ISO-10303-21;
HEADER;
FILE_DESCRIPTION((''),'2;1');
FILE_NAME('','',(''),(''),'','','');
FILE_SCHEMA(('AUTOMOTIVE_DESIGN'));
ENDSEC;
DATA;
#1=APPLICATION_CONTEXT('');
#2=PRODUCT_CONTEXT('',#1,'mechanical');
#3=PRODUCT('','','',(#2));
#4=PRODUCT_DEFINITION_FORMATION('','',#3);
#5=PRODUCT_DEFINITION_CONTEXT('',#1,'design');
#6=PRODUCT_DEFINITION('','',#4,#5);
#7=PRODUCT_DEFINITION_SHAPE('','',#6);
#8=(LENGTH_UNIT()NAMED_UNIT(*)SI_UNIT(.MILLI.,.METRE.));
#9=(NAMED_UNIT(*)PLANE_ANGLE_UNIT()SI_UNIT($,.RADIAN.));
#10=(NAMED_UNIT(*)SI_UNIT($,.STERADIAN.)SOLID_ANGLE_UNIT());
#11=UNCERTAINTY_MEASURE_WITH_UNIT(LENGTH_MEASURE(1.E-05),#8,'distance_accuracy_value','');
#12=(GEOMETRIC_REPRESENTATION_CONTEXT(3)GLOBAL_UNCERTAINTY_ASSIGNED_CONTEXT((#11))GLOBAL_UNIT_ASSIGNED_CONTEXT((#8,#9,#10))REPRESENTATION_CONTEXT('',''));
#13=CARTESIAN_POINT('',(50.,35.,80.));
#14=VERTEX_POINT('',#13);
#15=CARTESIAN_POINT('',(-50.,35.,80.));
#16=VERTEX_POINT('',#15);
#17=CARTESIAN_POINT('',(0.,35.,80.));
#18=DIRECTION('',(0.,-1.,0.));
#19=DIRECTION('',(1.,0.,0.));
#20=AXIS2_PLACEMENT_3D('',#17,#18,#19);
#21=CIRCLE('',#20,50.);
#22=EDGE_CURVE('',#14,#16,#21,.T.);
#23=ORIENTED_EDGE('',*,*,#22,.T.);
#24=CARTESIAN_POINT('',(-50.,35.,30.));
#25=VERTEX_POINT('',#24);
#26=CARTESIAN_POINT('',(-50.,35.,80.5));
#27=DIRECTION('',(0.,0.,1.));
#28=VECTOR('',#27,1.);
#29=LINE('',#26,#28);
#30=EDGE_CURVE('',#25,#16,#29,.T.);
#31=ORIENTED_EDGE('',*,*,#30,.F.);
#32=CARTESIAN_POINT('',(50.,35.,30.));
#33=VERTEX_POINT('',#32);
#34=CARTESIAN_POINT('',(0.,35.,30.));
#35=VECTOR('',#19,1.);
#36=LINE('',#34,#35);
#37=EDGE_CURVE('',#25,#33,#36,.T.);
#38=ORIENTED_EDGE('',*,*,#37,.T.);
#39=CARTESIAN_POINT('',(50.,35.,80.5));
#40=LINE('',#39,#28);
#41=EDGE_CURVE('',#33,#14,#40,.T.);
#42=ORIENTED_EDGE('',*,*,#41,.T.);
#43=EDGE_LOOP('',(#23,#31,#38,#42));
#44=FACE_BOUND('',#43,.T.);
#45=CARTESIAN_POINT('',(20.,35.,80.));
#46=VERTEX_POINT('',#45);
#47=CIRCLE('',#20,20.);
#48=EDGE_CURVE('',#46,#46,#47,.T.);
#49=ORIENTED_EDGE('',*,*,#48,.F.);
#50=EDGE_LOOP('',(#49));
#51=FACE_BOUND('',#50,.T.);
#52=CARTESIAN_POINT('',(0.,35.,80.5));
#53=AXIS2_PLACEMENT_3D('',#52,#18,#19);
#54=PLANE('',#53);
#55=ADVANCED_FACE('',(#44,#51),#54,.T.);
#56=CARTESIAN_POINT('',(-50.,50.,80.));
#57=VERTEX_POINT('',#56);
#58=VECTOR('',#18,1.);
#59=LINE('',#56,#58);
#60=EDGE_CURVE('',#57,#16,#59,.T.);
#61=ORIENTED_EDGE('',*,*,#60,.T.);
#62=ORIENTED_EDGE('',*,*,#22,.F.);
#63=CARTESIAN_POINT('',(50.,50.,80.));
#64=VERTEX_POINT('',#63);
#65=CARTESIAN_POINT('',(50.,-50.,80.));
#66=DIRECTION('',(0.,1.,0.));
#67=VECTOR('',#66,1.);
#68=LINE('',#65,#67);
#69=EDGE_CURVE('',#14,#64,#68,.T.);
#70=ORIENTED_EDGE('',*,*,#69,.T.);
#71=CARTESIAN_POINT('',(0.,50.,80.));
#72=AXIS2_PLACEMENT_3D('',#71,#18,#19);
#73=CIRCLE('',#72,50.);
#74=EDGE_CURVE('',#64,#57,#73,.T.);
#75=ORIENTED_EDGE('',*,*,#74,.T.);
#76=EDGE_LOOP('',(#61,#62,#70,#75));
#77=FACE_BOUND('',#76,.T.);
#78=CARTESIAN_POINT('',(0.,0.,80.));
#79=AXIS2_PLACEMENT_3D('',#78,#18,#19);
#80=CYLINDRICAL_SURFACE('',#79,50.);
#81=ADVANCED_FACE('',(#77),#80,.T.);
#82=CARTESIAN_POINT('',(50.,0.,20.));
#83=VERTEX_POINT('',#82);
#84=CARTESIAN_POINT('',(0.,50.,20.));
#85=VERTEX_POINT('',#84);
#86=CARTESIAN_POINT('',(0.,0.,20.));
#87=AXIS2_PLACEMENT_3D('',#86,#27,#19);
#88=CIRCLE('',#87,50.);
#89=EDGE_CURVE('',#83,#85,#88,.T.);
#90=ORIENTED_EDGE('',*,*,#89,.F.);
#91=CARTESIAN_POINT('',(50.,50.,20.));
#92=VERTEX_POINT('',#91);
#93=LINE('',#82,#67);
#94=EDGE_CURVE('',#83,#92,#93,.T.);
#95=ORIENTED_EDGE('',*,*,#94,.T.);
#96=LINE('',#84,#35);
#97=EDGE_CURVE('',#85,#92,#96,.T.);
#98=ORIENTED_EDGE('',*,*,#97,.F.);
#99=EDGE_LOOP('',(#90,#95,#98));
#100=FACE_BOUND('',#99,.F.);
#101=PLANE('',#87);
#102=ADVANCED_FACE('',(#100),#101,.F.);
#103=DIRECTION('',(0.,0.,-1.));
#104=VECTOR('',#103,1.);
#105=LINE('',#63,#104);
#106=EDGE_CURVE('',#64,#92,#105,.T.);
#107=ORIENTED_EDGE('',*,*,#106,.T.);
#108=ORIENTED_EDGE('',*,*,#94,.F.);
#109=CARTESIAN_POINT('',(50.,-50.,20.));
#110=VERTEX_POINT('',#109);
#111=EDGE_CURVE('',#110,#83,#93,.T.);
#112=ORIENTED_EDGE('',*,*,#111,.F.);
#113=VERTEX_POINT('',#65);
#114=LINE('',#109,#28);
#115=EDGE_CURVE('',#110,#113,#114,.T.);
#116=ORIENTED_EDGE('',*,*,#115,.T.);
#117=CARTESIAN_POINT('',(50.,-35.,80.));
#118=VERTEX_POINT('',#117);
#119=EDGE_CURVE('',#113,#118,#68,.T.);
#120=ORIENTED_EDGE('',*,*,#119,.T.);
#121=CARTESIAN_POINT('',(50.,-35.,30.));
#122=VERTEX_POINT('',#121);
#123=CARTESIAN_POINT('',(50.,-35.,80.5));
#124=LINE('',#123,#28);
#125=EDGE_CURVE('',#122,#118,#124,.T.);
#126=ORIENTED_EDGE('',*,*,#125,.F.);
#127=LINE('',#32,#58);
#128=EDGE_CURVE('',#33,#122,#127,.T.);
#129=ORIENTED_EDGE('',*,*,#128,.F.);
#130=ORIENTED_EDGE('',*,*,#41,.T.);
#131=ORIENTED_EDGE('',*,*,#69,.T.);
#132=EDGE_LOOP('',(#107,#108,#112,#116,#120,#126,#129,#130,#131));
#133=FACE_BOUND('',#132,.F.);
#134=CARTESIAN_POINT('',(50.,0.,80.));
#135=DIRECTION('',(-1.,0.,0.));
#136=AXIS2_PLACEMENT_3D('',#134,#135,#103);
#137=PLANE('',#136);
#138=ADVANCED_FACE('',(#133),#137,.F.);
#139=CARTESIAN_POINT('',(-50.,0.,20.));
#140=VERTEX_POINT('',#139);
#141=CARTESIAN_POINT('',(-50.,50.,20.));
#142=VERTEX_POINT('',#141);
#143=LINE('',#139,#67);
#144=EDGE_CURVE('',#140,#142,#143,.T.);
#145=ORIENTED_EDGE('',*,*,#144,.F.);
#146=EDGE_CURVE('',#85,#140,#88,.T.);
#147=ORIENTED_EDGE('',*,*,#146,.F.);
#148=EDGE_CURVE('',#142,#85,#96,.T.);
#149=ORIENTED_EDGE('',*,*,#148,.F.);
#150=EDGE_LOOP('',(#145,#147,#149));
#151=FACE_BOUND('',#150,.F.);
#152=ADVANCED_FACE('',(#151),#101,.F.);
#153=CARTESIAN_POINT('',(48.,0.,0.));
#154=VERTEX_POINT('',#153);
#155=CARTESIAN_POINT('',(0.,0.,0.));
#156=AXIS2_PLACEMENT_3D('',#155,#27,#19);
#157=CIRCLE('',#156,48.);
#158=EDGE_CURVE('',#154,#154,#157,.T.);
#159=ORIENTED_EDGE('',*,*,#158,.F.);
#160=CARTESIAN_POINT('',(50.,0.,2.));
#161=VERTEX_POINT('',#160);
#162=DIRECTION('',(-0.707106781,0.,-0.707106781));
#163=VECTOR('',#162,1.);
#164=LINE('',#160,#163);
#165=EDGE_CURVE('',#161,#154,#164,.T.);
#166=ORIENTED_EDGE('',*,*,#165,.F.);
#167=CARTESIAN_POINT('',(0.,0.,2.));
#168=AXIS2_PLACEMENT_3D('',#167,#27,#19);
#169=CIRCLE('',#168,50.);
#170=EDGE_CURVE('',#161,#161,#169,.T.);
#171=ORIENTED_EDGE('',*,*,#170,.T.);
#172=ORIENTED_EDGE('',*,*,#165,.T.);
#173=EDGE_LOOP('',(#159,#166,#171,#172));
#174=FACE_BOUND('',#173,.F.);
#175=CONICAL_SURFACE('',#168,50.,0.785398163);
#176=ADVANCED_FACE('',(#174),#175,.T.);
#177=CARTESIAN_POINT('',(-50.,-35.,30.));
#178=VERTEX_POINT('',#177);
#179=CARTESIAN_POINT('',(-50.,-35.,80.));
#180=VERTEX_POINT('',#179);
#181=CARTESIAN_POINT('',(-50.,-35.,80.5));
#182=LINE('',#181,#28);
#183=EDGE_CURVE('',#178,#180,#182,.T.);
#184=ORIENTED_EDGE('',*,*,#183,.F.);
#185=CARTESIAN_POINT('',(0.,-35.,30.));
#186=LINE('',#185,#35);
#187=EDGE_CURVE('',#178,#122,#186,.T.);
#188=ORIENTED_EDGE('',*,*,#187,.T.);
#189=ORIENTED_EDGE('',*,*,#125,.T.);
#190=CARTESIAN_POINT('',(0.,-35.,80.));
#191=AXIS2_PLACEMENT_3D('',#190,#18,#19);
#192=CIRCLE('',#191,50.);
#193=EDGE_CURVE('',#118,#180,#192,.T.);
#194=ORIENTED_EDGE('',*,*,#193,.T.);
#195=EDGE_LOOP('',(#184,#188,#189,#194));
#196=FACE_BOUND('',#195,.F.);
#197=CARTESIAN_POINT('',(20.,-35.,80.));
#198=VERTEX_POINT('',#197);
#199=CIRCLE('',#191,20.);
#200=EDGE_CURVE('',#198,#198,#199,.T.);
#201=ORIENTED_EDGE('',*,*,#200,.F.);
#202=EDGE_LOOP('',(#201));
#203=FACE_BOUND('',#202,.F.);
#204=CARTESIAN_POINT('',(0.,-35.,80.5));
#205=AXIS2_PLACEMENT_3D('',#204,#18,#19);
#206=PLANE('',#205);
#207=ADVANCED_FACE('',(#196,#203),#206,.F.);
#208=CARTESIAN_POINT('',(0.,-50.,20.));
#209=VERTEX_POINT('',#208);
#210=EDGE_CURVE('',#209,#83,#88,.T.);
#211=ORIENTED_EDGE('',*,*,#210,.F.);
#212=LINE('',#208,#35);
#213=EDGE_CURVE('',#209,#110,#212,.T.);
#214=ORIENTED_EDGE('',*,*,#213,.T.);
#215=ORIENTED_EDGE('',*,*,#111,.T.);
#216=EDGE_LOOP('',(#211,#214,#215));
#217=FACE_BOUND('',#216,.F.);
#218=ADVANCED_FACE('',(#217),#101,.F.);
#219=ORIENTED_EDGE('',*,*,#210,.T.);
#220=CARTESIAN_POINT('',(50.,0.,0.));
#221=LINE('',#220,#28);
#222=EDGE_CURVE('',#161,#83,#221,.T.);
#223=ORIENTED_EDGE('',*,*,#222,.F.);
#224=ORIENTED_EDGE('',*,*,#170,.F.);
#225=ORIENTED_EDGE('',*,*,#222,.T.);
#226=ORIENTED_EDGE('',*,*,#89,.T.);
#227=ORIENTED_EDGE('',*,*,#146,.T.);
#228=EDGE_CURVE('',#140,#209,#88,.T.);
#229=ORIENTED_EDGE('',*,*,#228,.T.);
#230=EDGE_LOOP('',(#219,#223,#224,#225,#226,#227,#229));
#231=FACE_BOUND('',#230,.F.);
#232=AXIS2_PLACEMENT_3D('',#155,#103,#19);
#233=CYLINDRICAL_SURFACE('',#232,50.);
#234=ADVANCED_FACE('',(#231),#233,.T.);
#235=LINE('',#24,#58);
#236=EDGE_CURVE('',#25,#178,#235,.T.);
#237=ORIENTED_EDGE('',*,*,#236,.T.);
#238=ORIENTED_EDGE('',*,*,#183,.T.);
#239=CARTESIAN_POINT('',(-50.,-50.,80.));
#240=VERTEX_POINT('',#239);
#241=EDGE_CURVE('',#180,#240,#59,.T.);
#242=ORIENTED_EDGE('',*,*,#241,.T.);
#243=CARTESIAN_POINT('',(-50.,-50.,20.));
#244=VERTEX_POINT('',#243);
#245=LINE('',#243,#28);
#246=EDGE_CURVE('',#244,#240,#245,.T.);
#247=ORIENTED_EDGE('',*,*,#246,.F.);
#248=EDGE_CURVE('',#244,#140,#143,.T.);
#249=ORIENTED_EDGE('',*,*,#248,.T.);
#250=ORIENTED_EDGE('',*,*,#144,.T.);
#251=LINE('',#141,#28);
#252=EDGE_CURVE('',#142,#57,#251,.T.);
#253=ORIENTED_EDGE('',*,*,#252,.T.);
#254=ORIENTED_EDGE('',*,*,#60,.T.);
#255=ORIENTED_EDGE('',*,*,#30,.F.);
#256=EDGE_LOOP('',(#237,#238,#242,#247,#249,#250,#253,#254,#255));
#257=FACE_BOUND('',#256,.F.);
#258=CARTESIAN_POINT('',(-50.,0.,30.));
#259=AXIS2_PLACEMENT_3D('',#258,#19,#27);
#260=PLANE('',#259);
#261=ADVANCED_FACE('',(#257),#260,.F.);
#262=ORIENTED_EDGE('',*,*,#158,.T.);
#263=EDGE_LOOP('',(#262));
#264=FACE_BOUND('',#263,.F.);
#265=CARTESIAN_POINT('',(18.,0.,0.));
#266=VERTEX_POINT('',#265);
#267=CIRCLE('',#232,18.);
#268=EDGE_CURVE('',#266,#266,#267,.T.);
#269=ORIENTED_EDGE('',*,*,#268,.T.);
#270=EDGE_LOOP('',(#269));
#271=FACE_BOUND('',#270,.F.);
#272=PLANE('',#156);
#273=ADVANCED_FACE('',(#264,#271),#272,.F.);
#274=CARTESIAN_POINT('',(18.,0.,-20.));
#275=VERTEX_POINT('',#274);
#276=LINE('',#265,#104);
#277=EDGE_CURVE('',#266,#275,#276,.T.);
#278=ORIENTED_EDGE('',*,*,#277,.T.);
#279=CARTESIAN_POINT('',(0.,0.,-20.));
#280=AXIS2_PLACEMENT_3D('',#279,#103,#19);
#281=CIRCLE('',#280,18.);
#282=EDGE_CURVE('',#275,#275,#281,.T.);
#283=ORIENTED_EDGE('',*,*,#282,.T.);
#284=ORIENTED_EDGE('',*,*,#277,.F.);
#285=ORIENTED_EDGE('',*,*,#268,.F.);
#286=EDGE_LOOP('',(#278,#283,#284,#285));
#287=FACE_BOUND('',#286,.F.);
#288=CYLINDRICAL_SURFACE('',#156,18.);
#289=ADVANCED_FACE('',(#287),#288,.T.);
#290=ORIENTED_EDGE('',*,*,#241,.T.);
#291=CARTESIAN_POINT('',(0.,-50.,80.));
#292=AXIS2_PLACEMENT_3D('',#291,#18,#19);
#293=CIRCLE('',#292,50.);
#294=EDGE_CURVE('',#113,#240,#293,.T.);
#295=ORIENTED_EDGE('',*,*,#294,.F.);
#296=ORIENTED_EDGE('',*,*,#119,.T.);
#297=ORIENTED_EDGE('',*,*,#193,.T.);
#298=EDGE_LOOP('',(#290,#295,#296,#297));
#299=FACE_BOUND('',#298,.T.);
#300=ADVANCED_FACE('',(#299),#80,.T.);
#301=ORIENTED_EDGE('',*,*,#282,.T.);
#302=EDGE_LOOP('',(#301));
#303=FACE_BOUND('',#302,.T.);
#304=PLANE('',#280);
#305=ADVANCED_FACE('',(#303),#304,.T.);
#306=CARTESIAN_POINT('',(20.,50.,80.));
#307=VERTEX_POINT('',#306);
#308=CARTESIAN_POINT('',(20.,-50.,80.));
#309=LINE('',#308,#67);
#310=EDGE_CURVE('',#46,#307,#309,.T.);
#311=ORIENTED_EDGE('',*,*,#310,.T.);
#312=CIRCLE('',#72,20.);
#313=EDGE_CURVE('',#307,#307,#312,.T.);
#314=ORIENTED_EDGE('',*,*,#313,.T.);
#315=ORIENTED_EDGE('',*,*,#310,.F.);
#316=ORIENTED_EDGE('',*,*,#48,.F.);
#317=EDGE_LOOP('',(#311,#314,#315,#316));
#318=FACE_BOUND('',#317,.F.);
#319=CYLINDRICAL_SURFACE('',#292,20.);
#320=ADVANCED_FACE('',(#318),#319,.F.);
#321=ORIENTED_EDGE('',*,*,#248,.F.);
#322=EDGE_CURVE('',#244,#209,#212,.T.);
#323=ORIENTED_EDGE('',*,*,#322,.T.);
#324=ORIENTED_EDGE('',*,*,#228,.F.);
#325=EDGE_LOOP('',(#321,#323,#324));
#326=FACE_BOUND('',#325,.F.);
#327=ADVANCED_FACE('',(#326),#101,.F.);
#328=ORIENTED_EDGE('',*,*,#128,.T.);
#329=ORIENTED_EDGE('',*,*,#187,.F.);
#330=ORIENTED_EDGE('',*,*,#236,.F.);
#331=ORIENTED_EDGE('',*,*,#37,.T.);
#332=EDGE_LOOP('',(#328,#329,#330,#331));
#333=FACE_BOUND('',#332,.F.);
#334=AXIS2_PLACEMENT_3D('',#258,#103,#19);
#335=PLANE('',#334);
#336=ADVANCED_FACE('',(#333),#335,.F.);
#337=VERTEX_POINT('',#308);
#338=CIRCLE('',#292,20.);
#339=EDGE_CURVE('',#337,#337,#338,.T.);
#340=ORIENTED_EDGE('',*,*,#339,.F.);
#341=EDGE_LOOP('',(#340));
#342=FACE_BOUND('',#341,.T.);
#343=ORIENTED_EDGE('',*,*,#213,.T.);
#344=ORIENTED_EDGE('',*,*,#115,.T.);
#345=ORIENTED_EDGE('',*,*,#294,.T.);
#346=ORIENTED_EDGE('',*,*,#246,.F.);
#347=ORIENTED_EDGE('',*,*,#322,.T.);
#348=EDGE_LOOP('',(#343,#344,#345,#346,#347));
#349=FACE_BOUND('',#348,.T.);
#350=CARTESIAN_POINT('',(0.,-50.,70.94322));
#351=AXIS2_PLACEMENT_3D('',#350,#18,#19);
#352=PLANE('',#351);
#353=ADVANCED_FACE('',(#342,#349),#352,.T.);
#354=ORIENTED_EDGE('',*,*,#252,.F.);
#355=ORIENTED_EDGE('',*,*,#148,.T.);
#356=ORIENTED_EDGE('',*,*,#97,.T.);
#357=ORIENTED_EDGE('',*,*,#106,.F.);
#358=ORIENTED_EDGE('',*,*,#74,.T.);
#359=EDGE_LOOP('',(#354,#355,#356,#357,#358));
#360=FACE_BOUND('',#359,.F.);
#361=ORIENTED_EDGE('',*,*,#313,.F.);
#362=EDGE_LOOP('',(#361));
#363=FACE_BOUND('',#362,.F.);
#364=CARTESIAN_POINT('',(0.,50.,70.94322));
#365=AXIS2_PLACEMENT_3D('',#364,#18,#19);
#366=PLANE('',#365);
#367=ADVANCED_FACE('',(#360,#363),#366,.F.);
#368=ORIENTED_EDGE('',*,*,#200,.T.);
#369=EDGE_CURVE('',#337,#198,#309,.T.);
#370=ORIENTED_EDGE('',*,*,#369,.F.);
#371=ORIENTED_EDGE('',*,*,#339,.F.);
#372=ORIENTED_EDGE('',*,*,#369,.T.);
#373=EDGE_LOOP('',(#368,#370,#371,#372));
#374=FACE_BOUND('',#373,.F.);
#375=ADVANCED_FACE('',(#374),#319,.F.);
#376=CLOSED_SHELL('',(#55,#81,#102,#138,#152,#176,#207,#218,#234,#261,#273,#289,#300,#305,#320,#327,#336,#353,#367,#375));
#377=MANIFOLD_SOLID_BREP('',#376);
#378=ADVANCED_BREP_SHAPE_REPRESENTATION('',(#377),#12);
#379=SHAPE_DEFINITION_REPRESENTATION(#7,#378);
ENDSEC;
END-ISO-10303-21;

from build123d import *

# Parameters (mm, degrees)
SKETCH_R        = 50
PAD_DEPTH       = 20
CHAMFER_SIZE    = 2
SKETCH001_R     = 18
PAD001_DEPTH    = 20
SKETCH002_W     = 100
SKETCH002_H     = 100
PAD002_DEPTH    = 10
PAD003_DEPTH    = 50
SKETCH004_R     = 20
POCKET_DEPTH    = 101
SKETCH005_W     = 100
SKETCH005_H     = 101
POCKET001_DEPTH = 35


with BuildPart() as part:
    # Sketch → Pad (new body)
    with BuildSketch(Plane.XY):
        Circle(SKETCH_R)
    extrude(amount=PAD_DEPTH)

    # Chamfer
    chamfer_edges = [part.edges().sort_by_distance(p)[0] for p in [
        (-50, 0, 0),
    ]]
    chamfer(chamfer_edges, length=CHAMFER_SIZE)

    # Sketch001 (on Face4 of Chamfer) → Pad001 (join)
    with BuildSketch(Plane(origin=(0, 0, 0), x_dir=(1, 0, 0), z_dir=(0, 0, -1))):
        Circle(SKETCH001_R)
    extrude(amount=PAD001_DEPTH)

    # Sketch002 (on Face3 of Pad001) → Pad002 (join)
    with BuildSketch(Plane.XY.offset(20)):
        Rectangle(SKETCH002_W, SKETCH002_H)
    extrude(amount=PAD002_DEPTH)

    # Sketch003 → Pad003 (join, symmetric)
    with BuildSketch(Plane.XZ):
        with BuildLine():
            ThreePointArc((50, 80), (0, 130), (-50, 80))
            Line((-50, 30), (-50, 80))
            Line((50, 30), (-50, 30))
            Line((50, 80), (50, 30))
        make_face()
    extrude(amount=PAD003_DEPTH, both=True)

    # Sketch004 (on Face13 of Pad003) → Pocket (cut)
    with BuildSketch(Plane.XZ.offset(50)):
        with Locations((0, 80)):
            Circle(SKETCH004_R)
    extrude(amount=-POCKET_DEPTH, mode=Mode.SUBTRACT)

    # Sketch005 → Pocket001 (cut, symmetric)
    with BuildSketch(Plane.XZ):
        with Locations((0, 80.5)):
            Rectangle(SKETCH005_W, SKETCH005_H)
    extrude(amount=POCKET001_DEPTH, both=True, mode=Mode.SUBTRACT)


solid = part.part
